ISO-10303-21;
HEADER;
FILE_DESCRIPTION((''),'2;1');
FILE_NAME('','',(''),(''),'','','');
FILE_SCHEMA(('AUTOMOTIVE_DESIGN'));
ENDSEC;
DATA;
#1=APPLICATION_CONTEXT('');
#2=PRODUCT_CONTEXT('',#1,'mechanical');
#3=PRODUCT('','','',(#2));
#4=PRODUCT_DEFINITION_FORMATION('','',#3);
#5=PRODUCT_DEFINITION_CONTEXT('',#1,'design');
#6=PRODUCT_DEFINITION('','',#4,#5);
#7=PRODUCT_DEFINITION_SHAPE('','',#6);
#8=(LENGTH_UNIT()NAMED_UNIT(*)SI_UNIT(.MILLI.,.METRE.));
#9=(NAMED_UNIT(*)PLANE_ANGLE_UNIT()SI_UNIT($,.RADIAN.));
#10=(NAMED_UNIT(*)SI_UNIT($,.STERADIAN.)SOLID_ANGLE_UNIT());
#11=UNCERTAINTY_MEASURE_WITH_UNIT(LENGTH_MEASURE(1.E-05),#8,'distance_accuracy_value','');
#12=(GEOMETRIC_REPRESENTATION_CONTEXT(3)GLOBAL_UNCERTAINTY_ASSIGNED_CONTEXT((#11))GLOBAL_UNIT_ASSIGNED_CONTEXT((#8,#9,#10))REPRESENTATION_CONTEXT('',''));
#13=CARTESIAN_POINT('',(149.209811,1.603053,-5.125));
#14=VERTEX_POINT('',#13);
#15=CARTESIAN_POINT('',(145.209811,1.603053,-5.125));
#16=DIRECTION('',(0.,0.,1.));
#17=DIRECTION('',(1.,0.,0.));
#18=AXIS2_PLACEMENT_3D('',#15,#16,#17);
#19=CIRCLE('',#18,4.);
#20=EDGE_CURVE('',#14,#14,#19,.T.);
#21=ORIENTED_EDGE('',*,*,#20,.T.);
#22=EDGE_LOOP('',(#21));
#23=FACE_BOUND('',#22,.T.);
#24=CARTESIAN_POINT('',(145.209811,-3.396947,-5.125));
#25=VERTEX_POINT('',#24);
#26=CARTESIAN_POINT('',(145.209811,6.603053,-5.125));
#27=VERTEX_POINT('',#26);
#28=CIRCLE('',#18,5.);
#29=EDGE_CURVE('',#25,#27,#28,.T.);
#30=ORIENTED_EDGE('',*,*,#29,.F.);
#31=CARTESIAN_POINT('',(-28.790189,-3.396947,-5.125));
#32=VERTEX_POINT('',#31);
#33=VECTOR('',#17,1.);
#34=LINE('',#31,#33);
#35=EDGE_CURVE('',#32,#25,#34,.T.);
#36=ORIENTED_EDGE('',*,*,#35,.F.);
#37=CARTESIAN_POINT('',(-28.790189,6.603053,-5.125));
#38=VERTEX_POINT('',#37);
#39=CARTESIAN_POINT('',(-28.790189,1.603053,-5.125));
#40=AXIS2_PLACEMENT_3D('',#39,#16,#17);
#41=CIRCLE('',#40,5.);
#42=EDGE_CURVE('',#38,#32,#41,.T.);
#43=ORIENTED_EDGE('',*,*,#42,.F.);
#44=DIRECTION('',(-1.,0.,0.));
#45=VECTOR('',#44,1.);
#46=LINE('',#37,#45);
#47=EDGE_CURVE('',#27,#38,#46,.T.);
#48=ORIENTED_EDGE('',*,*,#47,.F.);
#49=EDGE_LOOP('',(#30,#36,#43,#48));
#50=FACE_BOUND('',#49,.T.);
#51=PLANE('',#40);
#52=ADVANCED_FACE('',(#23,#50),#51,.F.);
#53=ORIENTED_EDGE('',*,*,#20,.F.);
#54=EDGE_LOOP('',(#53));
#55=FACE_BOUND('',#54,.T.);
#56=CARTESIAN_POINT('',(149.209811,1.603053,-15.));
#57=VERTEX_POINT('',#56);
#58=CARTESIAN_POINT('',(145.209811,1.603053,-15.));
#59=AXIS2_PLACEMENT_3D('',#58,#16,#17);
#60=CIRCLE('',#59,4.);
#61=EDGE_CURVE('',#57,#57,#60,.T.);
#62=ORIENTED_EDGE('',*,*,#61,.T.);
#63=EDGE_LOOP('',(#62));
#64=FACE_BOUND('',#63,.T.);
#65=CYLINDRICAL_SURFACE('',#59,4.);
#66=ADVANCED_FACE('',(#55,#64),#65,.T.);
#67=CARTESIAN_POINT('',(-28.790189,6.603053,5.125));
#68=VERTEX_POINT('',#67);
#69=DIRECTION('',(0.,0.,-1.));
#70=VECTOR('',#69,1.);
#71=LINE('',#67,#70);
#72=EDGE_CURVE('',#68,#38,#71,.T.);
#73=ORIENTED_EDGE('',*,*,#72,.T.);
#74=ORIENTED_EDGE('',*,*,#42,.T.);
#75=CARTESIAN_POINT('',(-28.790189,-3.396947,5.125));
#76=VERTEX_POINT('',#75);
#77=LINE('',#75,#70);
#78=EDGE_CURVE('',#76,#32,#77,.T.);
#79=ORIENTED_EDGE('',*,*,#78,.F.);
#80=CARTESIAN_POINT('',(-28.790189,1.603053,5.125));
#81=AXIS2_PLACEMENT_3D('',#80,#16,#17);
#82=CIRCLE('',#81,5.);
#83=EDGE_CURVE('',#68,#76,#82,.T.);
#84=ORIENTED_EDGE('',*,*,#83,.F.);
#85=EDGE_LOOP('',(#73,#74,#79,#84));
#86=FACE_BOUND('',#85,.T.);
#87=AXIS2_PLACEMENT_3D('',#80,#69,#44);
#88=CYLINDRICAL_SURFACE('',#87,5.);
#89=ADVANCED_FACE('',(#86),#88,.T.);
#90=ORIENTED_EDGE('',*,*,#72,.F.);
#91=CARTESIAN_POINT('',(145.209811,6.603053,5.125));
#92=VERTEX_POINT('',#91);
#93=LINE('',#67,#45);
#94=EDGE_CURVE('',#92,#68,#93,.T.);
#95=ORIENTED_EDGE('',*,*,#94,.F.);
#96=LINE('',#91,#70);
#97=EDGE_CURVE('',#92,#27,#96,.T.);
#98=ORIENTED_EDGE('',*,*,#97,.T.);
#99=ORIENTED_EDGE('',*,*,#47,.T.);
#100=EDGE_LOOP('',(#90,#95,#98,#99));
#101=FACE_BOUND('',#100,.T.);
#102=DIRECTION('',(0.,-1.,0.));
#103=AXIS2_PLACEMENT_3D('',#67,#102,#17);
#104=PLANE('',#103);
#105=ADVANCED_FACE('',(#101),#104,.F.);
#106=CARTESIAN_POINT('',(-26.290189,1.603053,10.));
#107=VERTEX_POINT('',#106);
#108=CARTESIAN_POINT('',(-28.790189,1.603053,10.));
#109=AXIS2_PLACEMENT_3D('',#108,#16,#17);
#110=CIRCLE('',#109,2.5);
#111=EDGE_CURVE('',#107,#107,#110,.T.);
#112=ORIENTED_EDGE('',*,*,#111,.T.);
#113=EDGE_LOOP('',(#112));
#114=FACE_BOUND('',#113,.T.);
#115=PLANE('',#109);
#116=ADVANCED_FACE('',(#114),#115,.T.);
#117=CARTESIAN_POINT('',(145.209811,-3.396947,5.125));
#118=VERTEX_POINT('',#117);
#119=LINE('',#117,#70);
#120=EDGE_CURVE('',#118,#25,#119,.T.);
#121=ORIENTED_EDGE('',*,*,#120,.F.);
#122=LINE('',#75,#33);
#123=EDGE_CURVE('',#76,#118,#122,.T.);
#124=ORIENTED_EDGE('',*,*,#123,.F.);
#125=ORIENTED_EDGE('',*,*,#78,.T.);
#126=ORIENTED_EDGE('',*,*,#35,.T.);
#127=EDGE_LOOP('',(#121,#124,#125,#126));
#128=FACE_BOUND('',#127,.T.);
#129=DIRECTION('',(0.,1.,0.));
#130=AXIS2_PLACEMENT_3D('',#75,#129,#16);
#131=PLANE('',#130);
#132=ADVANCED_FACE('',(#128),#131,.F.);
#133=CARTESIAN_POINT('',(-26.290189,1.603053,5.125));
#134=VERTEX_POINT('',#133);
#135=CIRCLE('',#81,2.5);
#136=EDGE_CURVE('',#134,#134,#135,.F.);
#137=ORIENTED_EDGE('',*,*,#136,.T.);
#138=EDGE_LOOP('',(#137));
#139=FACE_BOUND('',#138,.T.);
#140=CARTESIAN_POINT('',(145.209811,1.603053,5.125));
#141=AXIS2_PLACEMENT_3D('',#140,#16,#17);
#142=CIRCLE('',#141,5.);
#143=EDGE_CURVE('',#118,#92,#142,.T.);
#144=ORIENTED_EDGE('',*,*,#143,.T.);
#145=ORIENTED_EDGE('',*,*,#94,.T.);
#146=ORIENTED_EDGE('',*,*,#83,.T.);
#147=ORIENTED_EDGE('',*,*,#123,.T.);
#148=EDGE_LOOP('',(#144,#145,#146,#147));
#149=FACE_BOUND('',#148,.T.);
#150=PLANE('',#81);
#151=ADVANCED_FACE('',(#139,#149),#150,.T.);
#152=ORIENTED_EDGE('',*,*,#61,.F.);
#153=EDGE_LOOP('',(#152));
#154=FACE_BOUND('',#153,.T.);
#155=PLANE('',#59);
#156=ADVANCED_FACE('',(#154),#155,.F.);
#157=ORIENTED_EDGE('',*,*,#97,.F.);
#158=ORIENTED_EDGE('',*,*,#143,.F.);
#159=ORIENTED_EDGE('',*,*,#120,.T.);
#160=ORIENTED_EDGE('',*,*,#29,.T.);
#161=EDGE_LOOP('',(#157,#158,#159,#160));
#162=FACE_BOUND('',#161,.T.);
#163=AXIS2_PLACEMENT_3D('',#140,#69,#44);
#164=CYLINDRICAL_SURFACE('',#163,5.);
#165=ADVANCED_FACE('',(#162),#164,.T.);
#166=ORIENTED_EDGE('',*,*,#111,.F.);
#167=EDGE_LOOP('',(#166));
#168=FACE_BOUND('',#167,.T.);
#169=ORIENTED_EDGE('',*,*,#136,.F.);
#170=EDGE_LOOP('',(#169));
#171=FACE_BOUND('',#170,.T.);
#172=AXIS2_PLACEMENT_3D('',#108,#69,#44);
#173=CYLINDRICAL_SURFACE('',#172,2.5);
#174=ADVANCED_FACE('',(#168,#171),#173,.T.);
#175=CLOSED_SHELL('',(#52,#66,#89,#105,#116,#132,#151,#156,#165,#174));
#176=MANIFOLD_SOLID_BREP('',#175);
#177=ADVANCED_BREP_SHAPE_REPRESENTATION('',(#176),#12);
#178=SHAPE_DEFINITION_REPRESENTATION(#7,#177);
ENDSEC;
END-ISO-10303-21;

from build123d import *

# Parameters (mm, degrees)
BOSS_EXTRU_1_DEPTH = 5.125
ESQUISSE2_R        = 2.5
BOSS_EXTRU_2_DEPTH = 10
ESQUISSE3_R        = 4
BOSS_EXTRU_3_DEPTH = 15


with BuildPart() as part:
    # Esquisse1 → Boss.-Extru.1 (new, symmetric)
    with BuildSketch(Plane.XY):
        with BuildLine():
            Line((-28.790189362, 6.603053435), (145.209810638, 6.603053435))
            ThreePointArc((145.209810638, 6.603053435), (150.209810638, 1.603053435), (145.209810638, -3.396946565))
            Line((145.209810638, -3.396946565), (-28.790189362, -3.396946565))
            ThreePointArc((-28.790189362, -3.396946565), (-33.790189362, 1.603053435), (-28.790189362, 6.603053435))
        make_face()
    extrude(amount=BOSS_EXTRU_1_DEPTH, both=True)

    # Esquisse2 → Boss.-Extru.2 (add)
    with BuildSketch(Plane.XY):
        with Locations((-28.790189362, 1.603053435)):
            Circle(ESQUISSE2_R)
    extrude(amount=BOSS_EXTRU_2_DEPTH)

    # Esquisse3 → Boss.-Extru.3 (add)
    with BuildSketch(Plane.XY):
        with Locations((145.209810638, 1.603053435)):
            Circle(ESQUISSE3_R)
    extrude(amount=-BOSS_EXTRU_3_DEPTH)


solid = part.part
